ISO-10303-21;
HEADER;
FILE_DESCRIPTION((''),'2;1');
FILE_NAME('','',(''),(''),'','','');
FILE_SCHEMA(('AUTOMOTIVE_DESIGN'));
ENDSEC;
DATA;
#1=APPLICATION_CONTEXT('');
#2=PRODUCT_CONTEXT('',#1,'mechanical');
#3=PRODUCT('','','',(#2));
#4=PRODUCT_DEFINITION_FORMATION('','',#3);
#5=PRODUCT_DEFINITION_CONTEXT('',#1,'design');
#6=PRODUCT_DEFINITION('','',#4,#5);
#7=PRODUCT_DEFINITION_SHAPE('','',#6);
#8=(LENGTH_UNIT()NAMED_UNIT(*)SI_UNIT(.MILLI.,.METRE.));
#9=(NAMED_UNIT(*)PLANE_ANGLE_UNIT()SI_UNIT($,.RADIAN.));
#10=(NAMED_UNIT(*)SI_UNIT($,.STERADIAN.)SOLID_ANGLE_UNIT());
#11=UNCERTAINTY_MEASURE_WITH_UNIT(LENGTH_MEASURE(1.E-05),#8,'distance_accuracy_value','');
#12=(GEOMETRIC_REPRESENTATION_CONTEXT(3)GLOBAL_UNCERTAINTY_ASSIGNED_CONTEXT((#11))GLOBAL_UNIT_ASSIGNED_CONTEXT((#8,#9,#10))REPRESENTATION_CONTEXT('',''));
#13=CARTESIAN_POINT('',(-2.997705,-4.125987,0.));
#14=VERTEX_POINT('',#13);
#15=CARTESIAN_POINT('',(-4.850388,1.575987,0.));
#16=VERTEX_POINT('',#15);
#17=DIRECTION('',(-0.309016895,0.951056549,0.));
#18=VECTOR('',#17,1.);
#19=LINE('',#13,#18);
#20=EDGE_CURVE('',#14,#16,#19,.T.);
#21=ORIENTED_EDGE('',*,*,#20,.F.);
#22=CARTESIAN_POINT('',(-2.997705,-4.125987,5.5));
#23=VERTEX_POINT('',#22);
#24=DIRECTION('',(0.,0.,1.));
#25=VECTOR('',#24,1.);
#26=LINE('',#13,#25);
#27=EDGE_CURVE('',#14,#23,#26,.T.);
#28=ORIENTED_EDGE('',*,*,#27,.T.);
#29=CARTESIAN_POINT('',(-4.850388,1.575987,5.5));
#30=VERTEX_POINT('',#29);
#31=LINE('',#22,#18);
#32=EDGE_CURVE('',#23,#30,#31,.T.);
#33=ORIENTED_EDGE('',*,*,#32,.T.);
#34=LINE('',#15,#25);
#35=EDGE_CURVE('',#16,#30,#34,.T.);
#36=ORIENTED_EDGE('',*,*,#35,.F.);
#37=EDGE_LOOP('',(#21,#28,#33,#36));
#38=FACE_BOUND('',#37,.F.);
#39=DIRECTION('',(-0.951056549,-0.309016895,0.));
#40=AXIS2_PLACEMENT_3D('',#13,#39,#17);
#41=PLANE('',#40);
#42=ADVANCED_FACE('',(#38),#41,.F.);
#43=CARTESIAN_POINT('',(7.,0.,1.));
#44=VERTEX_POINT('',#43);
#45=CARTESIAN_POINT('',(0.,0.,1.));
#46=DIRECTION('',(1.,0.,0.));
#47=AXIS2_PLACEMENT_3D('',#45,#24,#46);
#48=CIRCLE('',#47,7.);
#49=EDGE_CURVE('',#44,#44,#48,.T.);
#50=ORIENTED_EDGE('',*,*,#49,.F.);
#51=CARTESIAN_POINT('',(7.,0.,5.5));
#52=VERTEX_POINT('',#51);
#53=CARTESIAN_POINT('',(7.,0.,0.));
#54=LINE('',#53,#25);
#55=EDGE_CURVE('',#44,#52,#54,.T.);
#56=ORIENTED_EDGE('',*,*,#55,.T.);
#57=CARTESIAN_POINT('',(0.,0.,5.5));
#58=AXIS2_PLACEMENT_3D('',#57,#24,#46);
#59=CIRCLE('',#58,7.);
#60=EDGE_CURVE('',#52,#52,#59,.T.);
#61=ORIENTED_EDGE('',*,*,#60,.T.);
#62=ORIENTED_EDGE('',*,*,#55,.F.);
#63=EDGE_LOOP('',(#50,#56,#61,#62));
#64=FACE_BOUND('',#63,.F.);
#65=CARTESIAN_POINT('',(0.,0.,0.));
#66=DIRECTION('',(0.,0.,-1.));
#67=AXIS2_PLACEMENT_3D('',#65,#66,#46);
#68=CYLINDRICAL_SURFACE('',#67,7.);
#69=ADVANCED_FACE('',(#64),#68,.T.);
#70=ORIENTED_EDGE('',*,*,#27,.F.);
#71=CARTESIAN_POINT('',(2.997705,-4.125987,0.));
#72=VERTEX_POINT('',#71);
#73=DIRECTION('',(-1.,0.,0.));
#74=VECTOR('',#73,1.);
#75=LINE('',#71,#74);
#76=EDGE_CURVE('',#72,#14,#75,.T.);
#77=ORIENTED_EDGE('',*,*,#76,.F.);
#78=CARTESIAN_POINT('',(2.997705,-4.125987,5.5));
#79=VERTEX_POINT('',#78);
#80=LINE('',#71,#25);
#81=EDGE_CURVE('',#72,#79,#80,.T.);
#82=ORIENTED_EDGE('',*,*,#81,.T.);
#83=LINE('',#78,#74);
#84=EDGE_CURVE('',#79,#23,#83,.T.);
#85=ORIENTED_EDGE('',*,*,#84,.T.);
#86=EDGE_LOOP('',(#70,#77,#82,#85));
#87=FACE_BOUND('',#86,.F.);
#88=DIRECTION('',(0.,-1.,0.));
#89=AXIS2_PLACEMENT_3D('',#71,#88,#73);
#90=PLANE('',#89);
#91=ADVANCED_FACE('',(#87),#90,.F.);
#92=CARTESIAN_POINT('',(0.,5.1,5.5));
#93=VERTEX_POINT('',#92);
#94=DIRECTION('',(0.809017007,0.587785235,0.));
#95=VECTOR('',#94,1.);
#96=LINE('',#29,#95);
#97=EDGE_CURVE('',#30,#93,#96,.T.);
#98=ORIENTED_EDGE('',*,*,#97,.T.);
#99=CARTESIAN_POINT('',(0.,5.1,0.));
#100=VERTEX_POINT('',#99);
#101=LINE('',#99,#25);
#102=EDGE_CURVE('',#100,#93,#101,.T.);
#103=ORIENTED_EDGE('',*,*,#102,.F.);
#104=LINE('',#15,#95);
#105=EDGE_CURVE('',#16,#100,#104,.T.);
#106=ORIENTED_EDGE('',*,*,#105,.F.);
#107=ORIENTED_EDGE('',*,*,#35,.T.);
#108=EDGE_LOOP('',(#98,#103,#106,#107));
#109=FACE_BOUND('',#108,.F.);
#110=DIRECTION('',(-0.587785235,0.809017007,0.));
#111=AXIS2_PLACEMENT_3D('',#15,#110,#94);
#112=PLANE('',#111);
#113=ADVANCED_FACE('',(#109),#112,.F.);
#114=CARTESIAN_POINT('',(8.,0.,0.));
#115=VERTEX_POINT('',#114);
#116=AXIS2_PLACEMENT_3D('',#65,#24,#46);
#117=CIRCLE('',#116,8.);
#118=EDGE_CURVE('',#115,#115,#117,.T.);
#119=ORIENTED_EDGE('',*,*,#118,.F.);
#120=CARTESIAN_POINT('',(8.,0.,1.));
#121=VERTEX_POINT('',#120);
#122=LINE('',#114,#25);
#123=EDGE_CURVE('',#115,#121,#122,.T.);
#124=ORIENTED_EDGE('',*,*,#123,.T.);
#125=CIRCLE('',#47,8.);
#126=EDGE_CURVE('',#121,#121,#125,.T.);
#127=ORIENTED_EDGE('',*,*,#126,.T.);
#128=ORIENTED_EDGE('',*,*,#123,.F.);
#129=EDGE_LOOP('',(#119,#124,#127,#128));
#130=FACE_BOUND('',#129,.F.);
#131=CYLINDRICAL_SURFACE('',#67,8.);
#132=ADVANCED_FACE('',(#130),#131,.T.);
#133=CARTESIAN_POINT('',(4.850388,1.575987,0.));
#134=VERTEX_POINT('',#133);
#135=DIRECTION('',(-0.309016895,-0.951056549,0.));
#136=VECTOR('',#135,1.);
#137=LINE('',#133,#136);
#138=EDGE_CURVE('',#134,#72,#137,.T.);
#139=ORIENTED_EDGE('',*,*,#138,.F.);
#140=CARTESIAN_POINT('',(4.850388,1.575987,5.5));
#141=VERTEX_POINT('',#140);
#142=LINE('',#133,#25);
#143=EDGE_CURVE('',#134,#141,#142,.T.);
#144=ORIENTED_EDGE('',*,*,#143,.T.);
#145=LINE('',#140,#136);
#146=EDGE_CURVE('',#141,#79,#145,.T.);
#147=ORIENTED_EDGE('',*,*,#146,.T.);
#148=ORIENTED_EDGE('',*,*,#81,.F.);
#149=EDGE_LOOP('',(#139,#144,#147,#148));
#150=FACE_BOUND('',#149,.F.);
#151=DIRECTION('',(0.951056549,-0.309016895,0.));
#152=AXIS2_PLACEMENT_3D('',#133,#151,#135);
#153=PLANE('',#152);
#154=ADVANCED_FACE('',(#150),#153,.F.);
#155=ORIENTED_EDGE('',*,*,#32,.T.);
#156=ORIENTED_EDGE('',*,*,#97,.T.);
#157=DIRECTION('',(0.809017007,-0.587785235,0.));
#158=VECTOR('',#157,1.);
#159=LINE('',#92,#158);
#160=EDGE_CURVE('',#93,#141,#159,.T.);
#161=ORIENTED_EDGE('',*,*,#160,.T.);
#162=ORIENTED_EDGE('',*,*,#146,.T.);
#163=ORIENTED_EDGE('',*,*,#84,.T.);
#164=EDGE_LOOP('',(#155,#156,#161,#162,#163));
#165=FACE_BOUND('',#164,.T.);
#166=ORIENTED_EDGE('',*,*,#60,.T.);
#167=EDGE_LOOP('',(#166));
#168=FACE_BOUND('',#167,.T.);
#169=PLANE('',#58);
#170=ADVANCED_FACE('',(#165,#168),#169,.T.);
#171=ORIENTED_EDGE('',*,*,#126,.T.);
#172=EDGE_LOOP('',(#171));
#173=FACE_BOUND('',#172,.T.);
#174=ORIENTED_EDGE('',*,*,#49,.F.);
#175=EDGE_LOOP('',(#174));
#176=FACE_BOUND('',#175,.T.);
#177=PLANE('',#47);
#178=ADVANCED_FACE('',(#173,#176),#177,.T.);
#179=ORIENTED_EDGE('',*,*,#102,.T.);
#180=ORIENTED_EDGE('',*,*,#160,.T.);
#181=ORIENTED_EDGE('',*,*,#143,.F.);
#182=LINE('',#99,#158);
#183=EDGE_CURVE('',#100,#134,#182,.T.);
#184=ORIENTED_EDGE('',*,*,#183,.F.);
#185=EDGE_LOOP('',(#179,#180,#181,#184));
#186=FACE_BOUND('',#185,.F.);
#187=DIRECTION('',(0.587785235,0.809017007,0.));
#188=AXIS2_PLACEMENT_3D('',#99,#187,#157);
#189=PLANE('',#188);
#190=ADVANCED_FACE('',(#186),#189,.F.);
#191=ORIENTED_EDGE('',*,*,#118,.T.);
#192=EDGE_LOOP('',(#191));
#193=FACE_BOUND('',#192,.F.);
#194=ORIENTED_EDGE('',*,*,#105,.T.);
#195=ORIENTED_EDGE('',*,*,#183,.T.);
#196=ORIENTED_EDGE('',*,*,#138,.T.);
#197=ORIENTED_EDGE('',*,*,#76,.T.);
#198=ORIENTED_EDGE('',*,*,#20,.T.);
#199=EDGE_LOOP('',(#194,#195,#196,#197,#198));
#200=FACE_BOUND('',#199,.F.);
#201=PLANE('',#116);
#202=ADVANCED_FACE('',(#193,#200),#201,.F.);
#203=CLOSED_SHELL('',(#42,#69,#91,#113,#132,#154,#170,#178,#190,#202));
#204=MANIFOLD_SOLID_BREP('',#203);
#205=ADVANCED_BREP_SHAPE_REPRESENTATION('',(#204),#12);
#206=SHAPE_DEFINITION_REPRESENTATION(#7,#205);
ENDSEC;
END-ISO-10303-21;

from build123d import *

# Parameters (mm, degrees)
F0_R     = 7
F1_DEPTH = 5.5
F0_R_2   = 8
F2_DEPTH = 1


with BuildPart() as f1:
    # F0 (on Top) → F1 (new body)
    with BuildSketch(Plane.XY):
        Circle(F0_R)
        Polygon((0, 5.1), (4.850388, 1.575987), (2.997705, -4.125987), (-2.997705, -4.125987), (-4.850388, 1.575987), align=None, mode=Mode.SUBTRACT)
    extrude(amount=F1_DEPTH)

    # F0 (on Top) → F2 (join)
    with BuildSketch(Plane.XY):
        Circle(F0_R_2)
        Circle(F0_R, mode=Mode.SUBTRACT)
    extrude(amount=F2_DEPTH)


solid = f1.part
